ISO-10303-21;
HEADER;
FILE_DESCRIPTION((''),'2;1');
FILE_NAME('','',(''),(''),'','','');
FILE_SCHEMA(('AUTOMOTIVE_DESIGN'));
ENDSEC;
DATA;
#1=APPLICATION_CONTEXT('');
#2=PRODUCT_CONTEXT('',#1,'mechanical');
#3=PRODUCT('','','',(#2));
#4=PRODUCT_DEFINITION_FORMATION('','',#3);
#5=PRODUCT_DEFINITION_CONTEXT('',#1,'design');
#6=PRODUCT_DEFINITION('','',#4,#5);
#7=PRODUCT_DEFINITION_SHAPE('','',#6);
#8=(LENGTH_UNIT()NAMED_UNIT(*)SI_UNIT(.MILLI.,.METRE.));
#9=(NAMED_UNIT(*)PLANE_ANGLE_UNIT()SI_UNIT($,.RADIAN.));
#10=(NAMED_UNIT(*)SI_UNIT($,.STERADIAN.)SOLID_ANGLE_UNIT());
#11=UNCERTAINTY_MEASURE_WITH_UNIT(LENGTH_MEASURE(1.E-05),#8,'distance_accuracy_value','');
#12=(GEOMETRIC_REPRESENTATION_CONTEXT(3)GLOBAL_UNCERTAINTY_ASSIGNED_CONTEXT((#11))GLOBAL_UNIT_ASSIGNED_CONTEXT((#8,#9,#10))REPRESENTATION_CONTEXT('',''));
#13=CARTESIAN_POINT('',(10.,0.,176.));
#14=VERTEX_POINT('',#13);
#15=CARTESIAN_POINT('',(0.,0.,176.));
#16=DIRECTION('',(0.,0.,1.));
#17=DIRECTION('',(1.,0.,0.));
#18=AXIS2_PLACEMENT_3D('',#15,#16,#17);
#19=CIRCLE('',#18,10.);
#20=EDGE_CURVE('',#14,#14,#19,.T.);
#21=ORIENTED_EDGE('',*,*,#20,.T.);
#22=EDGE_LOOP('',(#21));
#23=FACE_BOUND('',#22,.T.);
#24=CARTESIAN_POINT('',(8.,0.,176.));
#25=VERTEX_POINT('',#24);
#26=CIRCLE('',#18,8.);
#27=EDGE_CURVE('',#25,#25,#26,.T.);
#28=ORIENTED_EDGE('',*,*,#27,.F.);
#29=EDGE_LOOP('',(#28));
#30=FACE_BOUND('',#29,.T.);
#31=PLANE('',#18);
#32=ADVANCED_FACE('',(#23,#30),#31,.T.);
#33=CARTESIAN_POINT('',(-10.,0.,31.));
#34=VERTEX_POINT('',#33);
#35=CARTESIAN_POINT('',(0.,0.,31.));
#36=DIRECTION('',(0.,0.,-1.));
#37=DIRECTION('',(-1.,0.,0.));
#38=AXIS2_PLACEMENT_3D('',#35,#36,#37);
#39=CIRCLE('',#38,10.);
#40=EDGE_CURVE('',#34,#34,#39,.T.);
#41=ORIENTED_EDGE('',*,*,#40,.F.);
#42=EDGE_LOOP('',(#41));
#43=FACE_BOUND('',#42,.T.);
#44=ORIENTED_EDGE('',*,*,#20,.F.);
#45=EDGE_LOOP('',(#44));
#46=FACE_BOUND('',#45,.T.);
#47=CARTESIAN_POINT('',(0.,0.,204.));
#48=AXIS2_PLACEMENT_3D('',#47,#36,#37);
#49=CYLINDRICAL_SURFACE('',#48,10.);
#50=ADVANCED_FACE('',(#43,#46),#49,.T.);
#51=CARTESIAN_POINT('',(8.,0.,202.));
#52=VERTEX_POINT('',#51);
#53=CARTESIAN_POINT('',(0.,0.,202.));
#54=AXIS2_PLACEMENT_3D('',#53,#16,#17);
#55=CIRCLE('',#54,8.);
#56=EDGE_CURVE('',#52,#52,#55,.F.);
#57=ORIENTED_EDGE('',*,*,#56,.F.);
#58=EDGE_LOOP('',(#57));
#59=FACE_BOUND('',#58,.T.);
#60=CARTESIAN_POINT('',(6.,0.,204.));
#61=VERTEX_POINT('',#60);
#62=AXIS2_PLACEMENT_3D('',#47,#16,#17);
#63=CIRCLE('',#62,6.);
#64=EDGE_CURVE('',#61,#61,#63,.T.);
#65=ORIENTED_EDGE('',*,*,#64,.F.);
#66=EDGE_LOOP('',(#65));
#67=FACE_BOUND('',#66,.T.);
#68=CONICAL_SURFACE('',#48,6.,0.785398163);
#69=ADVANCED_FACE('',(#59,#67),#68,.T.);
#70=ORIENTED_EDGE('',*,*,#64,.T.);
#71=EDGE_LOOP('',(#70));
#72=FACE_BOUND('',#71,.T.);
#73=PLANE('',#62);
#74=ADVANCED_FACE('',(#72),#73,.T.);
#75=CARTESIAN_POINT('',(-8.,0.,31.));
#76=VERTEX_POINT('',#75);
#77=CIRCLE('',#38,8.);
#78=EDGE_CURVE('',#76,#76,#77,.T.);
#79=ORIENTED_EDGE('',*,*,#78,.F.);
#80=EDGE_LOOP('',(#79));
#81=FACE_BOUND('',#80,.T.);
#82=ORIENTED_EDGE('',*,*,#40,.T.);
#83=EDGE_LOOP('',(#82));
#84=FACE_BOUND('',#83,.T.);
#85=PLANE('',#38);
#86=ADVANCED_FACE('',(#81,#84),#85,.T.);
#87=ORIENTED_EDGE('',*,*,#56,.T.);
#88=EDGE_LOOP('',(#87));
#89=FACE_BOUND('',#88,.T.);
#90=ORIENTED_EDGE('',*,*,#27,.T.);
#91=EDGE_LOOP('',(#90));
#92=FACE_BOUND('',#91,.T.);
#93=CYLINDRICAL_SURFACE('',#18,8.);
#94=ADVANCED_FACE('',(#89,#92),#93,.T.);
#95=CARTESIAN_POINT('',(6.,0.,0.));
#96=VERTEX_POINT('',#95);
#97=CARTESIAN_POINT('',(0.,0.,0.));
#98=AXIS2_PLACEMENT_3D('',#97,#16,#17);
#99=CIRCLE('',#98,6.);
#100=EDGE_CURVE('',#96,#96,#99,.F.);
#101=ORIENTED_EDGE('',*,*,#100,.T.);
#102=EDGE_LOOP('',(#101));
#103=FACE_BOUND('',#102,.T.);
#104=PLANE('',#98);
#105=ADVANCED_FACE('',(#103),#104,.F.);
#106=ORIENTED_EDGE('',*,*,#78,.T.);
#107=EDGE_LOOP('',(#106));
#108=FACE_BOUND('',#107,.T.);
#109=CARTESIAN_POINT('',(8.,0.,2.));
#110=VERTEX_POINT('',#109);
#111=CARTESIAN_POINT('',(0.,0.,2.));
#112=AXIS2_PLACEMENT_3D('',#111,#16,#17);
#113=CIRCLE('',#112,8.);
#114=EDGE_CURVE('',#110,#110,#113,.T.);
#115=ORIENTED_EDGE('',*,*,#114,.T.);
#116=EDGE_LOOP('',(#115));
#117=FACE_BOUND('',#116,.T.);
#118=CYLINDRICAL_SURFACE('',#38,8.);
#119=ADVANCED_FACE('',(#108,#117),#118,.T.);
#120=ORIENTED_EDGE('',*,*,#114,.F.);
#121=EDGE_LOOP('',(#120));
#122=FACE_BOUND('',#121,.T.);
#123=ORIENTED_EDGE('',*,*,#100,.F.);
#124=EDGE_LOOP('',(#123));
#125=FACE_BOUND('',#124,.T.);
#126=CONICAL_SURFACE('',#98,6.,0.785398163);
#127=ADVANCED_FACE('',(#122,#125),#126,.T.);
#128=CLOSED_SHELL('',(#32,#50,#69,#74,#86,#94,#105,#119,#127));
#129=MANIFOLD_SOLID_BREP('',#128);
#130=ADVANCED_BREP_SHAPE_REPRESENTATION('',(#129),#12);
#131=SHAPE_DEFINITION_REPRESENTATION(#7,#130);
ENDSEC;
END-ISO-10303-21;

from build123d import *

# Parameters (mm, degrees)
SKIZZE1_R                       = 10
AUFSATZ_LINEAR_AUSTRAGEN1_DEPTH = 204
SKIZZE2_R                       = 10
SKIZZE2_R_2                     = 8
SCHNITT_LINEAR_AUSTRAGEN1_DEPTH = 31
SKIZZE3_R                       = 10
SKIZZE3_R_2                     = 8
SCHNITT_LINEAR_AUSTRAGEN2_DEPTH = 28
FASE1_SIZE                      = 2
FASE2_SIZE                      = 2


with BuildPart() as part:
    # Skizze1 → Aufsatz-Linear austragen1 (new body)
    with BuildSketch(Plane.XY):
        Circle(SKIZZE1_R)
    extrude(amount=AUFSATZ_LINEAR_AUSTRAGEN1_DEPTH)

    # Skizze2 → Schnitt-Linear austragen1 (cut)
    with BuildSketch(Plane(origin=(0, 0, 0), x_dir=(-1, 0, 0), z_dir=(0, 0, -1))):
        Circle(SKIZZE2_R)
        Circle(SKIZZE2_R_2, mode=Mode.SUBTRACT)
    extrude(amount=-SCHNITT_LINEAR_AUSTRAGEN1_DEPTH, mode=Mode.SUBTRACT)

    # Skizze3 → Schnitt-Linear austragen2 (cut)
    with BuildSketch(Plane.XY.offset(204)):
        Circle(SKIZZE3_R)
        Circle(SKIZZE3_R_2, mode=Mode.SUBTRACT)
    extrude(amount=-SCHNITT_LINEAR_AUSTRAGEN2_DEPTH, mode=Mode.SUBTRACT)

    # Fase1
    fase1_edges = [part.edges().sort_by_distance(p)[0] for p in [
        (-8, 0, 204),
    ]]
    chamfer(fase1_edges, length=FASE1_SIZE)

    # Fase2
    fase2_edges = [part.edges().sort_by_distance(p)[0] for p in [
        (8, 0, 0),
    ]]
    chamfer(fase2_edges, length=FASE2_SIZE)


solid = part.part
